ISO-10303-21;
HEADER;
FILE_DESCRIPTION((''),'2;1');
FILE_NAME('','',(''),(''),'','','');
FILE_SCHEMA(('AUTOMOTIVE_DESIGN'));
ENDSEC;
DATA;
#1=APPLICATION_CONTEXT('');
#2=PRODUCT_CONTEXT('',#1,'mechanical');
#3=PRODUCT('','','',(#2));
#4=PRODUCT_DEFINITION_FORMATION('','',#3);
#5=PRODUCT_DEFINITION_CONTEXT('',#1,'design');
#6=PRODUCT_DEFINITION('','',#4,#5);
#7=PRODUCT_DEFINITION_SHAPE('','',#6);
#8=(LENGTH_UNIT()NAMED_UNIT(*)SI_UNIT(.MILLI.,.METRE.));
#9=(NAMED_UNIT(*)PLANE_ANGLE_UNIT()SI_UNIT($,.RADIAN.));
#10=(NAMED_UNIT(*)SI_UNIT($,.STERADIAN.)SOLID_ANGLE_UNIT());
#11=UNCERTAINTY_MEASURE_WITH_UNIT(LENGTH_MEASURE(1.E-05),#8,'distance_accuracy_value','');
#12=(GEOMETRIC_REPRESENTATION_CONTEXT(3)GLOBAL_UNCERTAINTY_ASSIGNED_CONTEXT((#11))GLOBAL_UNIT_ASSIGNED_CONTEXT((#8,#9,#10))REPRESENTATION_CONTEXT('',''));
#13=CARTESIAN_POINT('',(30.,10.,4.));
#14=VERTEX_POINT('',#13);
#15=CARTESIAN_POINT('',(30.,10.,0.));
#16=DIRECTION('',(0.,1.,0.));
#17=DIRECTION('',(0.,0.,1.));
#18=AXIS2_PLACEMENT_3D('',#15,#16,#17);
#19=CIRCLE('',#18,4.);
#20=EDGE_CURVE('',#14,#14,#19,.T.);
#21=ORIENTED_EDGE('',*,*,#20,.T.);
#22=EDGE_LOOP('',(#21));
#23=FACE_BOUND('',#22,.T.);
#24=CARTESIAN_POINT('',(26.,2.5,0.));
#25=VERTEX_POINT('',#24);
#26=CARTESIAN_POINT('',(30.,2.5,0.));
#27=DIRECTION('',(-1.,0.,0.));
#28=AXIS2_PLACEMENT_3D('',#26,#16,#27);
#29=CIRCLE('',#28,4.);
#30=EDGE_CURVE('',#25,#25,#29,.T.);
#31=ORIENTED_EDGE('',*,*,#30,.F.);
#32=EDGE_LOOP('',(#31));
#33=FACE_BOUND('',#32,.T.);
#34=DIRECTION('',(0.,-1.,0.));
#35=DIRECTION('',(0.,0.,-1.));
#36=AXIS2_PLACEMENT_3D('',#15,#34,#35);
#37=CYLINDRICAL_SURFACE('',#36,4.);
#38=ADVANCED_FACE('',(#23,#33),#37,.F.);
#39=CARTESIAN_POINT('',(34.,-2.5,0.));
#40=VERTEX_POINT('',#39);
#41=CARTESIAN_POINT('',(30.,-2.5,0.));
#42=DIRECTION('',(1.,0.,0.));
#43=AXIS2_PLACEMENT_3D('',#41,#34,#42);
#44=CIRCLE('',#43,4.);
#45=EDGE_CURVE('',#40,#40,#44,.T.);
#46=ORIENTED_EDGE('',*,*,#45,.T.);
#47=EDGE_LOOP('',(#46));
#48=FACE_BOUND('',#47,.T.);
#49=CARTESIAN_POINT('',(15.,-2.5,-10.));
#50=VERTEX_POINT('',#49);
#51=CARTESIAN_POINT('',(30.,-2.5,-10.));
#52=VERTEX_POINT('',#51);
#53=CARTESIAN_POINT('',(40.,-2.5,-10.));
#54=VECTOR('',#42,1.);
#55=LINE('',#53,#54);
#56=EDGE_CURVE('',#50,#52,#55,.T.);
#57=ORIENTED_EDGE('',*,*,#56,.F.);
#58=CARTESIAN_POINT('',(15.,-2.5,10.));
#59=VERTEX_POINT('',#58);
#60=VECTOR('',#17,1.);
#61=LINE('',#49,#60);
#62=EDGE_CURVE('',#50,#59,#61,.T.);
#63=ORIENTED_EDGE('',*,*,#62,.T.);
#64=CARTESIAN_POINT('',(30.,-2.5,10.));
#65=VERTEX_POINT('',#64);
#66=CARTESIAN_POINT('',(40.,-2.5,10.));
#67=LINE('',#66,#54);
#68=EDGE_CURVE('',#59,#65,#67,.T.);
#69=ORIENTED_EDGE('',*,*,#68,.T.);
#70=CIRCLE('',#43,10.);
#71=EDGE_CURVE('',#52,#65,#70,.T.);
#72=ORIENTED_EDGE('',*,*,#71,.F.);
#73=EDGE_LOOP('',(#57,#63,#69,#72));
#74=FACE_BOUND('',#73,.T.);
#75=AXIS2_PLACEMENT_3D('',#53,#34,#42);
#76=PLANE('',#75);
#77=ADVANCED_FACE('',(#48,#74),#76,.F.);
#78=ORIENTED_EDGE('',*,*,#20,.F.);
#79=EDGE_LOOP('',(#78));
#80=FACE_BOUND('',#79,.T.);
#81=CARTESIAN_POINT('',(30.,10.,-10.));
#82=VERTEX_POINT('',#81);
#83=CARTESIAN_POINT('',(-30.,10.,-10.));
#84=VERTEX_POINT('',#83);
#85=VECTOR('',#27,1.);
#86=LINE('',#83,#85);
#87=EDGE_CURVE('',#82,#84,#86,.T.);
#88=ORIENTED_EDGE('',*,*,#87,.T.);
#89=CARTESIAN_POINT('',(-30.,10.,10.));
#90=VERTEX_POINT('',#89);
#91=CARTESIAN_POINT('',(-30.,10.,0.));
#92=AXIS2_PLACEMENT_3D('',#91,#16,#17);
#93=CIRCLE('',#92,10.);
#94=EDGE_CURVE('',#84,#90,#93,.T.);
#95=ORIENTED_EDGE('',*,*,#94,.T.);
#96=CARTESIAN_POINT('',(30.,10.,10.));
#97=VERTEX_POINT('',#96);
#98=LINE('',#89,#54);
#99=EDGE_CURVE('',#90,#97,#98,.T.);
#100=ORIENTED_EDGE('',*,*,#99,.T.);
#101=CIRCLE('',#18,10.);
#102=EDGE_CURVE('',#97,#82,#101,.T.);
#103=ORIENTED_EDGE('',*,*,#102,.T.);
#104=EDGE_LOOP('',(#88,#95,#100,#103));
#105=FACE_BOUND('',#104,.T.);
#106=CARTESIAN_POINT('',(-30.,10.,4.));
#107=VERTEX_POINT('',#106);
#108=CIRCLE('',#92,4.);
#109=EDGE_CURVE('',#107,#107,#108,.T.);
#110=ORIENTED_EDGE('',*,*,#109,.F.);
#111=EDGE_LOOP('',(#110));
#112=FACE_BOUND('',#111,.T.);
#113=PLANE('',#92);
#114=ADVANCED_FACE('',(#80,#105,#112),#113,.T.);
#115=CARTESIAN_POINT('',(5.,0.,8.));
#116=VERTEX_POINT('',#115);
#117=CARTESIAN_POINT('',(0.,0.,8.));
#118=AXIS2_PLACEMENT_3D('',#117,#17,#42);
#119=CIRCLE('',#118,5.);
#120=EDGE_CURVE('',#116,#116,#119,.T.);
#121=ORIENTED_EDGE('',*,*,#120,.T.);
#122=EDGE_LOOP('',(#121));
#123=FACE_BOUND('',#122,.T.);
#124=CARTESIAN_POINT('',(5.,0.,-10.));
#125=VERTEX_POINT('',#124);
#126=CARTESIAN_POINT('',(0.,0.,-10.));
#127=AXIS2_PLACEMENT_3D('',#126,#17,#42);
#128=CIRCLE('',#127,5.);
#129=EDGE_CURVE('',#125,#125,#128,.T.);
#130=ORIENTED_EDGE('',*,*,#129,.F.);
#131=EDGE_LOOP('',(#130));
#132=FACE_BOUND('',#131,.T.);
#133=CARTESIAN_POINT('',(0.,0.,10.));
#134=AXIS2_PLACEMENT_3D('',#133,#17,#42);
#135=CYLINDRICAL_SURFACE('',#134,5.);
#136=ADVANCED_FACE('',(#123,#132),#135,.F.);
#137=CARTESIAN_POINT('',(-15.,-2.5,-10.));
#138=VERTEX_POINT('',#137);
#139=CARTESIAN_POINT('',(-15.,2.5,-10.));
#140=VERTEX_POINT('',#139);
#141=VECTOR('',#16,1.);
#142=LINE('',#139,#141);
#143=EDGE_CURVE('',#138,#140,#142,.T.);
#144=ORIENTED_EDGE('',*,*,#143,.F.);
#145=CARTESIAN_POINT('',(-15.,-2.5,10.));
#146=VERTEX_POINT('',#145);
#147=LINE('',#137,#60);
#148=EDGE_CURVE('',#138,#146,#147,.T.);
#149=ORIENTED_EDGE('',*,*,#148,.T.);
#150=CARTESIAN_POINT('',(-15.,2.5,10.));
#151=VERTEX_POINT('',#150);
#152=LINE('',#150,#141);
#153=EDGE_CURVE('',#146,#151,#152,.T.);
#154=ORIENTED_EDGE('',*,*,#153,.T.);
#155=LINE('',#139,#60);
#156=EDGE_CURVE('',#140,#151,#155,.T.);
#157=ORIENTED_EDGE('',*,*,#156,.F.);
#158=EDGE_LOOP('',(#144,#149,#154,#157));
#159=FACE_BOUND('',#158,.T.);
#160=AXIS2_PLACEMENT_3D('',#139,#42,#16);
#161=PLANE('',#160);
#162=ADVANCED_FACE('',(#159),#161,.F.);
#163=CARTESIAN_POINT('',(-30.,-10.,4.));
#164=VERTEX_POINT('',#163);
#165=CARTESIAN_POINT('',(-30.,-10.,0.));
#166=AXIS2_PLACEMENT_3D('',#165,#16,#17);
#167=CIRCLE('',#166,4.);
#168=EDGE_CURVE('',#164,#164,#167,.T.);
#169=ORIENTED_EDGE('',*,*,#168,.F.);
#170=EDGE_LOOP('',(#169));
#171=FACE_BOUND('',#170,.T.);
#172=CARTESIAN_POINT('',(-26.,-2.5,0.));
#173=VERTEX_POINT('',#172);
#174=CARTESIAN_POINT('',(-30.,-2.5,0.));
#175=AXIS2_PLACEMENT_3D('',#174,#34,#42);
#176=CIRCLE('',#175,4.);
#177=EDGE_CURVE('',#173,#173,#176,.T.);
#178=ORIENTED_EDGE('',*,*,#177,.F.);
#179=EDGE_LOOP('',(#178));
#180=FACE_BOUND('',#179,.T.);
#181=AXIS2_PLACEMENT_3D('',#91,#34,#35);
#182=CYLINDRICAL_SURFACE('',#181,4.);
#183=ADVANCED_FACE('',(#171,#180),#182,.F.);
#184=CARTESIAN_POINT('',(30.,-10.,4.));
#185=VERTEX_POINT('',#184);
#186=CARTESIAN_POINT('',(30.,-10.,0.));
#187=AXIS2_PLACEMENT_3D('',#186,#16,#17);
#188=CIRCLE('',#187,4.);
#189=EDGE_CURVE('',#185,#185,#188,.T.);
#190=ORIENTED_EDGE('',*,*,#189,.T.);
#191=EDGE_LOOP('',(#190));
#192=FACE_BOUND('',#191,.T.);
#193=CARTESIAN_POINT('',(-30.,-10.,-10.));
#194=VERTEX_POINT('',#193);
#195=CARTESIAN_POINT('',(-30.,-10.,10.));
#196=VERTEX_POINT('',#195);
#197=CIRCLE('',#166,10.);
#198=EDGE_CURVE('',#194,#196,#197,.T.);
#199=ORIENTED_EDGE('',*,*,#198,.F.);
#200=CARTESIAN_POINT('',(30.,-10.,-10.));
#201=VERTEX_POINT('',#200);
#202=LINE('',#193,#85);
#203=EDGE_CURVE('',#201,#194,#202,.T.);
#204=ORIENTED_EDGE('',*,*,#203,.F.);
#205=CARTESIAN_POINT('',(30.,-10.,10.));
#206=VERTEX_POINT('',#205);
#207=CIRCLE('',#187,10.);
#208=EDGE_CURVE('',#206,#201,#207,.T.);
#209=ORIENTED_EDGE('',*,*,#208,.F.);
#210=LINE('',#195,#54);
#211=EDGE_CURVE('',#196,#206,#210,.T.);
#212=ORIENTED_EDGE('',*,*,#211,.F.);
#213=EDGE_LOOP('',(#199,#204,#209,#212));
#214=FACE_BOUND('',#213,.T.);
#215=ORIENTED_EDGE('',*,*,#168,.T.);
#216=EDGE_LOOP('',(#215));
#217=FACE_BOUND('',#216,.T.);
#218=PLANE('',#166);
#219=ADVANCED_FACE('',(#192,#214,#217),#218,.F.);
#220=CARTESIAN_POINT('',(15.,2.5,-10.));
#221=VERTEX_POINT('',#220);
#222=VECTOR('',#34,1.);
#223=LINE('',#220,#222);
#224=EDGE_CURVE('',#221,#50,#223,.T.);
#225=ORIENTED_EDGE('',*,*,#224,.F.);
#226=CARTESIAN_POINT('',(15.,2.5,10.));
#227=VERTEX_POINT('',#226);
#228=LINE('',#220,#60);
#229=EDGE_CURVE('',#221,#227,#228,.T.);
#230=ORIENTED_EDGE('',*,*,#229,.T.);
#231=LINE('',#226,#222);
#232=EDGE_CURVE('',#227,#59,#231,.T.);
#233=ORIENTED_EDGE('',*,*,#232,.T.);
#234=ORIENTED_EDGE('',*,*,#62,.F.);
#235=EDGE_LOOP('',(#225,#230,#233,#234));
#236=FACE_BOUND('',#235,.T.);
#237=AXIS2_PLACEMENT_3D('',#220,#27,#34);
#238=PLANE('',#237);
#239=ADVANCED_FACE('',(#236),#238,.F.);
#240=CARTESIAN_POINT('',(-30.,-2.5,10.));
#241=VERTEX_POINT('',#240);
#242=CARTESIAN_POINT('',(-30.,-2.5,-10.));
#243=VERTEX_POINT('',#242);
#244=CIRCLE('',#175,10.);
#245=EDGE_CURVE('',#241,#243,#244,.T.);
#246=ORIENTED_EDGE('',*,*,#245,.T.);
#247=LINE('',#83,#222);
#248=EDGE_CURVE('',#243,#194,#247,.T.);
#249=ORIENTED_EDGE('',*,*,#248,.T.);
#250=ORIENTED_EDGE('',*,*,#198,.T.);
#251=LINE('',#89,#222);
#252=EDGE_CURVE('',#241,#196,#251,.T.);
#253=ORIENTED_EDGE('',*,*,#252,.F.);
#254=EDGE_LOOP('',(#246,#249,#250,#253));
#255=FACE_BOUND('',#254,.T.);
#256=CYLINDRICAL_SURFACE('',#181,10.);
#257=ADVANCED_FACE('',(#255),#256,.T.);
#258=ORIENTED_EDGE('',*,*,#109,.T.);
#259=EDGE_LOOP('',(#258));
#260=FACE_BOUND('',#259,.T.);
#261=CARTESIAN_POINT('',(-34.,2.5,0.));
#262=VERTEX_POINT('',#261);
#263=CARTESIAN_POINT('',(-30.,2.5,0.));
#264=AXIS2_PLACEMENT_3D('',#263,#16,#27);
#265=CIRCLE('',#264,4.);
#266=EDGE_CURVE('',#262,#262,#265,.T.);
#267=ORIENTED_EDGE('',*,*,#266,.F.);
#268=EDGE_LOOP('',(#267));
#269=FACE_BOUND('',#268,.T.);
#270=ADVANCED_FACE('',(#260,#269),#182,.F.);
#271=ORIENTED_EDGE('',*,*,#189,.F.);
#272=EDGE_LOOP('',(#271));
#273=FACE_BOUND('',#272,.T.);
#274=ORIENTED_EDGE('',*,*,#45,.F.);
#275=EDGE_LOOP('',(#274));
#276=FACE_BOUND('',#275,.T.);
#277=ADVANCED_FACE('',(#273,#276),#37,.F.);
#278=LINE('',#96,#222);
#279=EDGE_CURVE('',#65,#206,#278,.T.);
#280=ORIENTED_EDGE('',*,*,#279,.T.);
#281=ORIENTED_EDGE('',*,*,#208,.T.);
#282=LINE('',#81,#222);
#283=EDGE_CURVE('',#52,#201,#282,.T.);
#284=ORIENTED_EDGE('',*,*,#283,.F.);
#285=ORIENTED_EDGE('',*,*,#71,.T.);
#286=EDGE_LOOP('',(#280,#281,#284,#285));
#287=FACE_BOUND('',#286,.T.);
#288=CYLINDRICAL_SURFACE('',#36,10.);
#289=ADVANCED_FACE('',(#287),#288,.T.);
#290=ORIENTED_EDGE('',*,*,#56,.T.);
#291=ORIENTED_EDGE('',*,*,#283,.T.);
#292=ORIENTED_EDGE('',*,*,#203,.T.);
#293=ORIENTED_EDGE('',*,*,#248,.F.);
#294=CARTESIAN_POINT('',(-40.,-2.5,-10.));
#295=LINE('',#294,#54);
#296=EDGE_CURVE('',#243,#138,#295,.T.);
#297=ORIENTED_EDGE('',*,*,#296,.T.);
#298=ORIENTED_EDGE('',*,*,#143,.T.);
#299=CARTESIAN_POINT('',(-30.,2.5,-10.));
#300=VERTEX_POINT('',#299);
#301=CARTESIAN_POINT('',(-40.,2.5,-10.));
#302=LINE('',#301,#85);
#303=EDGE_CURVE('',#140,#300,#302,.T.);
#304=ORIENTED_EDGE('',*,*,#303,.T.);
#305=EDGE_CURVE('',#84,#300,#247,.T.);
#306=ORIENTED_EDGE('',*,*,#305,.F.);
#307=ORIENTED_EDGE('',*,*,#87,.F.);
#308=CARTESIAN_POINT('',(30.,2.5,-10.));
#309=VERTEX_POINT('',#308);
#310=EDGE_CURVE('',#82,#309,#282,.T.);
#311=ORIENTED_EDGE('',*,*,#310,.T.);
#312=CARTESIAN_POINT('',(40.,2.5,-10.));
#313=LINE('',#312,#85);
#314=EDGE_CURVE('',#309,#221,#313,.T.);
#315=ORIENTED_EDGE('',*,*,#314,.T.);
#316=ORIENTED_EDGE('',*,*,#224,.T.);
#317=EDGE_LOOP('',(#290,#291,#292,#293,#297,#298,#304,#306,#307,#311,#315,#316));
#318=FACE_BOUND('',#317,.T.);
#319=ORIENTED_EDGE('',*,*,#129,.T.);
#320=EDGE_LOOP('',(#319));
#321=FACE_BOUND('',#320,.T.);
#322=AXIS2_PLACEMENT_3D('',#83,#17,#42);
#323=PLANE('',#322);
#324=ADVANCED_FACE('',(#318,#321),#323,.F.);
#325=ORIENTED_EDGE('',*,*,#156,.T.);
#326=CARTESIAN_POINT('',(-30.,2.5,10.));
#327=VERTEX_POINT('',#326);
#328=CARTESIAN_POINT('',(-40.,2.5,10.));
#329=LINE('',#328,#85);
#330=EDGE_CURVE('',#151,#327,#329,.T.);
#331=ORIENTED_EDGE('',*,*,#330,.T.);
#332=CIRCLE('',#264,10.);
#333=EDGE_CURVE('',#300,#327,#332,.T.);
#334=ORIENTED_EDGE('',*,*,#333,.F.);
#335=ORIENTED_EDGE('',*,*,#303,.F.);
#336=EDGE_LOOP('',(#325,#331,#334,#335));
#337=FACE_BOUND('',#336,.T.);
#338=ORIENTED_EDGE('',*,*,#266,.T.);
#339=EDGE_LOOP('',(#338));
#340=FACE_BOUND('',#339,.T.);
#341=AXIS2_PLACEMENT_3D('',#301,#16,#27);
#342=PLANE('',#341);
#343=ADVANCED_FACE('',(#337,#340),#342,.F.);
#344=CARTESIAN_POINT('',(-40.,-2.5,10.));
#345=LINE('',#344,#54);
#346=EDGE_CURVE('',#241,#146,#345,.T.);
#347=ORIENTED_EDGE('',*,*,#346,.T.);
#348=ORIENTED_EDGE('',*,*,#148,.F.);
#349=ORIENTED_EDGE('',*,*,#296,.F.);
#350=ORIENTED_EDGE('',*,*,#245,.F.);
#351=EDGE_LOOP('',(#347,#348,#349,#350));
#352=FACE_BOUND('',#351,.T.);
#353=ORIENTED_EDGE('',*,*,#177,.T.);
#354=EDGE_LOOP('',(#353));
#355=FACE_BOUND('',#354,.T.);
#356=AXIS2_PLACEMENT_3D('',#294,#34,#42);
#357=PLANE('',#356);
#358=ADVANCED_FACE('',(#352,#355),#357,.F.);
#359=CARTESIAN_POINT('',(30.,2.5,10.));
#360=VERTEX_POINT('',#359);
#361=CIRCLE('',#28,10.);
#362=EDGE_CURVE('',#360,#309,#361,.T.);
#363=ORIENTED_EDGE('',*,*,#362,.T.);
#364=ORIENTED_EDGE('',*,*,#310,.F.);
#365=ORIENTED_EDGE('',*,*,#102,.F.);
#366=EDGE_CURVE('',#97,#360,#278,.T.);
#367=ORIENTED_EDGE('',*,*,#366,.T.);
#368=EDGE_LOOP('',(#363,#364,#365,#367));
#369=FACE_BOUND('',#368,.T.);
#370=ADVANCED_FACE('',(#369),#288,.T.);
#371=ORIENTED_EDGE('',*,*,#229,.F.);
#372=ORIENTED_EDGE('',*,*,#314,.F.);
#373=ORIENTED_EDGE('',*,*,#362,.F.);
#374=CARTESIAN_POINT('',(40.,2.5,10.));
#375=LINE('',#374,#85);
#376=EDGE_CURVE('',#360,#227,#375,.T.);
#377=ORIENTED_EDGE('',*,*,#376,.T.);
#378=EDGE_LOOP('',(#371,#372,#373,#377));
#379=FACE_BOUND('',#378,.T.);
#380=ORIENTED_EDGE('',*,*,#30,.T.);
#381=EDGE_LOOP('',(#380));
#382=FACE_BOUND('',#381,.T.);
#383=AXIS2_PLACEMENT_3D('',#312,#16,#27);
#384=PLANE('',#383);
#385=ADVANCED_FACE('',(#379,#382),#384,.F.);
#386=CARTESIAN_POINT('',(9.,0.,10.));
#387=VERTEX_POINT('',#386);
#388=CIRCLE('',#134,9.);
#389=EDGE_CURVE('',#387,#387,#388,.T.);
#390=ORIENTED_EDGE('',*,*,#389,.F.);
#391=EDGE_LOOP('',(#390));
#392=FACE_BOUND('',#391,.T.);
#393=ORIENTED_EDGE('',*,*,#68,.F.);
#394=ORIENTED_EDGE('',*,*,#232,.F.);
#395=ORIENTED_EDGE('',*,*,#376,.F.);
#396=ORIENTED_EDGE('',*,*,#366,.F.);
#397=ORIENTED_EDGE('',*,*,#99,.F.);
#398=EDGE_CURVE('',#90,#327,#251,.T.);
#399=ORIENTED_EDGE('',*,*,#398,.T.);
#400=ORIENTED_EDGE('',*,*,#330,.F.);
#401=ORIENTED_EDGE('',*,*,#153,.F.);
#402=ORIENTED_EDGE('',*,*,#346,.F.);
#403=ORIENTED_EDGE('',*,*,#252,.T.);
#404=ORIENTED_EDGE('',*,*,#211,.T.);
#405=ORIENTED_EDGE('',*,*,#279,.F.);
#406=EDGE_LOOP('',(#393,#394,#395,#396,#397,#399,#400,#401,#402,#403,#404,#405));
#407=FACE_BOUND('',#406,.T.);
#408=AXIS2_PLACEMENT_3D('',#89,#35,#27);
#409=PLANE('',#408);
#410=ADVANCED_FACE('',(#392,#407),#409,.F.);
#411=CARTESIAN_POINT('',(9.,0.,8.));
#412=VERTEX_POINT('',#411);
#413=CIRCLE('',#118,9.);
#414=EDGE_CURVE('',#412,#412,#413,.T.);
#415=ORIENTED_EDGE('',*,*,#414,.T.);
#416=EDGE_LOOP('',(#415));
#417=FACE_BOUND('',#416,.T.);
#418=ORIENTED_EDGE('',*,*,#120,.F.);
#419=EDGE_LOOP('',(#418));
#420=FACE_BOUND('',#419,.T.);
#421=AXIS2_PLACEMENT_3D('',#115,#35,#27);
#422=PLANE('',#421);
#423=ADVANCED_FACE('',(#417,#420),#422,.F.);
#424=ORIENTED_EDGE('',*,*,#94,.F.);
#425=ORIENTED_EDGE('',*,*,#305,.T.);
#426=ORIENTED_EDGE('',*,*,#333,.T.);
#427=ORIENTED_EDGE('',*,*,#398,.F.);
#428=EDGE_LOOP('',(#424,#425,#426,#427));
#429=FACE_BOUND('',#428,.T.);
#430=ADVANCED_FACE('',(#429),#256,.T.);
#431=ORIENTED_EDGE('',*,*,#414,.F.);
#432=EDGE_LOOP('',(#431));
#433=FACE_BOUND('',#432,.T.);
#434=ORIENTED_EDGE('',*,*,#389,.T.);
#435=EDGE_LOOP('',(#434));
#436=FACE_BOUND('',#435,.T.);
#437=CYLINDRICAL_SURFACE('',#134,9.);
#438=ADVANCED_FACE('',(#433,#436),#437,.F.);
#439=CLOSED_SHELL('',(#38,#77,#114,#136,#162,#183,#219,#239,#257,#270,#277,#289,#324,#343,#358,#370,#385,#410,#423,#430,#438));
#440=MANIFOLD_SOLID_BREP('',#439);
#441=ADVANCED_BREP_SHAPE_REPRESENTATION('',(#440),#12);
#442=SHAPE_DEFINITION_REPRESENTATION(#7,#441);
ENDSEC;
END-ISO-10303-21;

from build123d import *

# Parameters (mm, degrees)
SKETCH1_R           = 4
BOSS_EXTRUDE1_DEPTH = 10
SKETCH3_W           = 25
SKETCH3_H           = 5
CUT_EXTRUDE1_DEPTH  = 46.82575695
HOLE1_D             = 10
HOLE1_CBORE_D       = 18
HOLE1_CBORE_DEPTH   = 2


with BuildPart() as part:
    # Sketch1 → Boss-Extrude1 (new, symmetric)
    with BuildSketch(Plane(origin=(0, 0, 0), x_dir=(1, 0, 0), z_dir=(0, 1, 0))):
        with BuildLine():
            Line((-30, 10), (30, 10))
            ThreePointArc((30, 10), (40, 0), (30, -10))
            Line((30, -10), (-30, -10))
            ThreePointArc((-30, -10), (-40, 0), (-30, 10))
        make_face()
        with Locations(Location((-30, 0, 0), (0, 0, 270))):
            Circle(SKETCH1_R, mode=Mode.SUBTRACT)
        with Locations(Location((30, 0, 0), (0, 0, 270))):
            Circle(SKETCH1_R, mode=Mode.SUBTRACT)
    extrude(amount=BOSS_EXTRUDE1_DEPTH, both=True)

    # Sketch3 → Cut-Extrude1 (cut, through all)
    with BuildSketch(Plane.XY.offset(10)):
        with Locations((27.5, 0)):
            Rectangle(SKETCH3_W, SKETCH3_H)
        with Locations((-27.5, 0)):
            Rectangle(SKETCH3_W, SKETCH3_H)
    extrude(amount=-CUT_EXTRUDE1_DEPTH, mode=Mode.SUBTRACT)

    # Hole1 (through all)
    with Locations(Plane.XY.offset(10)):
        with Locations((0, 0)):
            CounterBoreHole(HOLE1_D / 2, HOLE1_CBORE_D / 2, HOLE1_CBORE_DEPTH)


solid = part.part
